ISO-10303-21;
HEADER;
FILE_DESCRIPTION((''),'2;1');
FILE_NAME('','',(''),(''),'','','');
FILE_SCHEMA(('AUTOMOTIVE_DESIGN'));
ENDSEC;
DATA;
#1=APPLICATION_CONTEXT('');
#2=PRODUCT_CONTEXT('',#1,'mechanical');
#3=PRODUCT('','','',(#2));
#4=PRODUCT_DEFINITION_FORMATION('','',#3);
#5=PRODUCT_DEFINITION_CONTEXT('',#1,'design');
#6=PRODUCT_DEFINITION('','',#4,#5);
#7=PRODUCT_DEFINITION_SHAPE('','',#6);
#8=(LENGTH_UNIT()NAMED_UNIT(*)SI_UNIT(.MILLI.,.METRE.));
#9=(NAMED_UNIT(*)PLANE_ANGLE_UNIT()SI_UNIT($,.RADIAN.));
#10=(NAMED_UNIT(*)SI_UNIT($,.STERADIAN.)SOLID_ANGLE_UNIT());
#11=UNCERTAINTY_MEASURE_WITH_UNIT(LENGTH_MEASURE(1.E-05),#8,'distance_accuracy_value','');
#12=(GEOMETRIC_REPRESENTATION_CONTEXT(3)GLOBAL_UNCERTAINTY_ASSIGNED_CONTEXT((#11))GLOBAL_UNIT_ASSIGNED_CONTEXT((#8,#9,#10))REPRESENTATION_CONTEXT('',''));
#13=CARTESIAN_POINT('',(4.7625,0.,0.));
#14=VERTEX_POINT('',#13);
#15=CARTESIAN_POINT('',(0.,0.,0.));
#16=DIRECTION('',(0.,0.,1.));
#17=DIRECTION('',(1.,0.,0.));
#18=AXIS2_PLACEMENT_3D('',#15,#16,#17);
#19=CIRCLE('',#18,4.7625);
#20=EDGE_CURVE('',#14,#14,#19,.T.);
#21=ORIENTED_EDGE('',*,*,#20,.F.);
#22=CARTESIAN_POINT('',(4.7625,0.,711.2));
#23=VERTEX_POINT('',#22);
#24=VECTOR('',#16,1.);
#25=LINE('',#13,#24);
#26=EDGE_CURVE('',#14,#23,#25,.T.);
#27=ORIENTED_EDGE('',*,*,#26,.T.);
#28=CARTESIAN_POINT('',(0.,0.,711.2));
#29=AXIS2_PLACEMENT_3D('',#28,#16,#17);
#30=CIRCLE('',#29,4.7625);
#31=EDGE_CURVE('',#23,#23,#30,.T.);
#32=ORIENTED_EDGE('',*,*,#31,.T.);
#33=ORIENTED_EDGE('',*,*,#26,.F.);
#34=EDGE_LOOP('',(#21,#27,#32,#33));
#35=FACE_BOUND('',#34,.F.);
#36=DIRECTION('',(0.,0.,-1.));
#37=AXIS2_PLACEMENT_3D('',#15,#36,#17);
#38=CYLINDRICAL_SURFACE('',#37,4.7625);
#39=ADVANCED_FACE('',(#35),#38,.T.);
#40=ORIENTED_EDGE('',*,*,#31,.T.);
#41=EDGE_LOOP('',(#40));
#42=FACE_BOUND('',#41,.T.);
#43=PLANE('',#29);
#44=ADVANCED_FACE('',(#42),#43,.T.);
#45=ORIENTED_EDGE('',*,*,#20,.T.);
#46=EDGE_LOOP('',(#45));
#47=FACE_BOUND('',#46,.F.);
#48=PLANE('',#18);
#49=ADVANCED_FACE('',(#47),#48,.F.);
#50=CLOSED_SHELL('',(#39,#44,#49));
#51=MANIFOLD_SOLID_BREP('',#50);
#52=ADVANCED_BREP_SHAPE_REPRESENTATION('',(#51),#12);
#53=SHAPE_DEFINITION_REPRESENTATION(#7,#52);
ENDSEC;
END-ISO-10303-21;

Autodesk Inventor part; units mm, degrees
ref_plane "YZ Plane" through (0, 0, 0) normal (1, 0, 0) x (0, 1, 0)
ref_plane "XZ Plane" through (0, 0, 0) normal (0, 1, 0) x (-1, 0, 0)
ref_plane "XY Plane" through (0, 0, 0) normal (0, 0, 1) x (1, 0, 0)
sketch "Sketch1" plane through (0, 0, 0) normal (0, 0, 1) x (1, 0, 0)
  circle A0 centre (0, 0) radius 4.7625
  dimension "d0" = 9.525
extrude "Extrusion1" add sketch "Sketch1" along normal blind 711.2
properties part number "rolleraxle"
